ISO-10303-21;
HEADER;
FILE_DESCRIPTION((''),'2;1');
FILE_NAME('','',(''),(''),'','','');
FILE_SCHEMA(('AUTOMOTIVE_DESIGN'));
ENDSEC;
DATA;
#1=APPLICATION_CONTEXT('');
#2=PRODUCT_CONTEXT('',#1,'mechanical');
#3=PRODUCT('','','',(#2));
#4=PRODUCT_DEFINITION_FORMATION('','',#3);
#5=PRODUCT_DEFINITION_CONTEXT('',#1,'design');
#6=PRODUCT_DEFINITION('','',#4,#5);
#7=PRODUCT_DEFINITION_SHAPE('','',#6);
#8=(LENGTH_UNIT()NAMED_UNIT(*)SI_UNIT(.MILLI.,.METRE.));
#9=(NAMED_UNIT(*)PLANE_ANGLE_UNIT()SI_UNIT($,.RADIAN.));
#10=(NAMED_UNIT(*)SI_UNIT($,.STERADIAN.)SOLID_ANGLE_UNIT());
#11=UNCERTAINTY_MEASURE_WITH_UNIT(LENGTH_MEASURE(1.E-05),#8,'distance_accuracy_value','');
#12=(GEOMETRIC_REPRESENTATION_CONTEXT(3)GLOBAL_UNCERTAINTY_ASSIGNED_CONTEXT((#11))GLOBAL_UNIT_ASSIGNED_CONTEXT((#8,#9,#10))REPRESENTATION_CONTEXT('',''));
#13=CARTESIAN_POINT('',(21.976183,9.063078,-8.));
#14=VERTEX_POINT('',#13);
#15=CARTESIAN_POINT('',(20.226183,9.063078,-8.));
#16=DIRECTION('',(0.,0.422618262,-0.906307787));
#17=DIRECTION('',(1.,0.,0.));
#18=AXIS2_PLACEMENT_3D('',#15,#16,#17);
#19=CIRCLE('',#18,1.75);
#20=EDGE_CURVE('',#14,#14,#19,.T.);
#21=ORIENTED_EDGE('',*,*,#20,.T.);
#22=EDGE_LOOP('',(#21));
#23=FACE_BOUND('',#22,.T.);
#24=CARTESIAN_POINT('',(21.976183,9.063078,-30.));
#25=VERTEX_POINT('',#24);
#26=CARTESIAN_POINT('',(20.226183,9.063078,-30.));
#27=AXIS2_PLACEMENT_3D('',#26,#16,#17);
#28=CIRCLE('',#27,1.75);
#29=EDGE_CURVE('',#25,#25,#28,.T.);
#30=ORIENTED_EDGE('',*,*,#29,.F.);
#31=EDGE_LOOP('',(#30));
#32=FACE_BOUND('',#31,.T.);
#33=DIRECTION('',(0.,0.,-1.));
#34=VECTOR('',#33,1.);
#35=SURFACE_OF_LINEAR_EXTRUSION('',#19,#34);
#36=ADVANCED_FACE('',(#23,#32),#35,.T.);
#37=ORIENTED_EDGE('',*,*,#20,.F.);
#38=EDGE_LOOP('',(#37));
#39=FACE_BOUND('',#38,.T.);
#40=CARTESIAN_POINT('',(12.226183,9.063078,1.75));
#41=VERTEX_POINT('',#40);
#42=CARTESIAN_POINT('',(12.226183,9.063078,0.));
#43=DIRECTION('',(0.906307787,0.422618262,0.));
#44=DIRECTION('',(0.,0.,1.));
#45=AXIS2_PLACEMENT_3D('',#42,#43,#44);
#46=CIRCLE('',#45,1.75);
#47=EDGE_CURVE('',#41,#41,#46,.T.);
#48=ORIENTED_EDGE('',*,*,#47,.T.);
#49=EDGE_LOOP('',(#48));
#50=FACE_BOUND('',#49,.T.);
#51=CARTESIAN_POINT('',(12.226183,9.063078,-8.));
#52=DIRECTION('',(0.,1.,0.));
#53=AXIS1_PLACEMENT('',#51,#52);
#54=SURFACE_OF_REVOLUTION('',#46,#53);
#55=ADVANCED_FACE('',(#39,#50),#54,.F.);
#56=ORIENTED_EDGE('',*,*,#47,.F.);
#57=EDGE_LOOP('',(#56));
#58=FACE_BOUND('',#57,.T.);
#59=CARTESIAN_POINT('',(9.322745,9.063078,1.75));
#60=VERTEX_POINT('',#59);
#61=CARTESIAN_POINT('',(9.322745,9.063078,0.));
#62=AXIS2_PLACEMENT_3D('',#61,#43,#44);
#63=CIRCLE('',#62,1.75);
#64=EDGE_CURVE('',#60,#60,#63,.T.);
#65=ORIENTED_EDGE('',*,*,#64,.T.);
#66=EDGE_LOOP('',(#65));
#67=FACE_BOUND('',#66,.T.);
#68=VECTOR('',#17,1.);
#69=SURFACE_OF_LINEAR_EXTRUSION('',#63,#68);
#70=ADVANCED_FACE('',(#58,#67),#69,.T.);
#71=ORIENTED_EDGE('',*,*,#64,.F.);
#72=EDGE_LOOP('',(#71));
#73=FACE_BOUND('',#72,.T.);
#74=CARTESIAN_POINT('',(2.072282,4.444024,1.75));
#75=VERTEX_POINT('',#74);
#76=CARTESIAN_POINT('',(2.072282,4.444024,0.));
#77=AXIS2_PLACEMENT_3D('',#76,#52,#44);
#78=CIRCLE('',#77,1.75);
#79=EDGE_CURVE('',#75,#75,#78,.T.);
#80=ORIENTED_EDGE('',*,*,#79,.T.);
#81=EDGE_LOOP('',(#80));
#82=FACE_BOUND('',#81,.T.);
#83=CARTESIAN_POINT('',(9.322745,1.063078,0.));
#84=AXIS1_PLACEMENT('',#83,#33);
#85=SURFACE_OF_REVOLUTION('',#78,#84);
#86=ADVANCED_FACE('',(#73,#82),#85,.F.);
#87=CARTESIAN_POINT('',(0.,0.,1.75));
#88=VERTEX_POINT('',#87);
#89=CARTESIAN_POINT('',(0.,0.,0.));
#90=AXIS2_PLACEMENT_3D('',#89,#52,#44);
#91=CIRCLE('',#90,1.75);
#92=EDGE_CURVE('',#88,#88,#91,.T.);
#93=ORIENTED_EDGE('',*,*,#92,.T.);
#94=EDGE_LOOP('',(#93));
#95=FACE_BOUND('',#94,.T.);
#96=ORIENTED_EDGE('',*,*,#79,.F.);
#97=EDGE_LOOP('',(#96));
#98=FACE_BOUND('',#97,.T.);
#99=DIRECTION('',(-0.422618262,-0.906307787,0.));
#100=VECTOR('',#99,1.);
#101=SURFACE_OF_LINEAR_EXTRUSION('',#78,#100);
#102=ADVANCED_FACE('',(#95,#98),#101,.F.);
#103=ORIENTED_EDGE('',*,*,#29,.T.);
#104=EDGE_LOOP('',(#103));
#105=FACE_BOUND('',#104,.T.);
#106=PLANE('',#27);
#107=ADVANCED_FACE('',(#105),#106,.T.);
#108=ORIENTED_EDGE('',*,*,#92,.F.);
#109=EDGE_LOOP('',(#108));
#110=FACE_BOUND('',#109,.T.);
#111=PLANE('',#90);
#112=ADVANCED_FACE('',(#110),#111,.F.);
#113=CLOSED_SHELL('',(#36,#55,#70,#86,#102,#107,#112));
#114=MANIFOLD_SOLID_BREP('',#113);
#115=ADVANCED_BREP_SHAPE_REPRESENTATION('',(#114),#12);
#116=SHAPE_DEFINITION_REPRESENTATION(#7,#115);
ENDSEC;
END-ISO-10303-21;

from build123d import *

# Parameters (mm, degrees)
SKETCH1_R = 1.75


with BuildPart() as part:
    # Sweep1: sweep along a curve in space
    with BuildLine() as sweep1_path:
        Line((0, 0, 0), (2.072282408, 4.444023964, 0))
        ThreePointArc((9.322744704, 9.06307787, 0), (5.024347837, 7.810209437, 0), (2.072282408, 4.444023964, 0))
        Line((9.322744704, 9.06307787, 0), (12.226182617, 9.06307787, 0))
        ThreePointArc((12.226182617, 9.06307787, 0), (17.883036867, 9.06307787, -2.343145751), (20.226182617, 9.06307787, -8))
        Line((20.226182617, 9.06307787, -8), (20.226182617, 9.06307787, -30))
    # Sketch1 → Sweep1 (sweep)
    with BuildSketch(Plane(origin=(0, 0, 0), x_dir=(1, 0, 0), z_dir=(0, 1, 0))):
        Circle(SKETCH1_R)
    sweep(path=sweep1_path.line)


solid = part.part
